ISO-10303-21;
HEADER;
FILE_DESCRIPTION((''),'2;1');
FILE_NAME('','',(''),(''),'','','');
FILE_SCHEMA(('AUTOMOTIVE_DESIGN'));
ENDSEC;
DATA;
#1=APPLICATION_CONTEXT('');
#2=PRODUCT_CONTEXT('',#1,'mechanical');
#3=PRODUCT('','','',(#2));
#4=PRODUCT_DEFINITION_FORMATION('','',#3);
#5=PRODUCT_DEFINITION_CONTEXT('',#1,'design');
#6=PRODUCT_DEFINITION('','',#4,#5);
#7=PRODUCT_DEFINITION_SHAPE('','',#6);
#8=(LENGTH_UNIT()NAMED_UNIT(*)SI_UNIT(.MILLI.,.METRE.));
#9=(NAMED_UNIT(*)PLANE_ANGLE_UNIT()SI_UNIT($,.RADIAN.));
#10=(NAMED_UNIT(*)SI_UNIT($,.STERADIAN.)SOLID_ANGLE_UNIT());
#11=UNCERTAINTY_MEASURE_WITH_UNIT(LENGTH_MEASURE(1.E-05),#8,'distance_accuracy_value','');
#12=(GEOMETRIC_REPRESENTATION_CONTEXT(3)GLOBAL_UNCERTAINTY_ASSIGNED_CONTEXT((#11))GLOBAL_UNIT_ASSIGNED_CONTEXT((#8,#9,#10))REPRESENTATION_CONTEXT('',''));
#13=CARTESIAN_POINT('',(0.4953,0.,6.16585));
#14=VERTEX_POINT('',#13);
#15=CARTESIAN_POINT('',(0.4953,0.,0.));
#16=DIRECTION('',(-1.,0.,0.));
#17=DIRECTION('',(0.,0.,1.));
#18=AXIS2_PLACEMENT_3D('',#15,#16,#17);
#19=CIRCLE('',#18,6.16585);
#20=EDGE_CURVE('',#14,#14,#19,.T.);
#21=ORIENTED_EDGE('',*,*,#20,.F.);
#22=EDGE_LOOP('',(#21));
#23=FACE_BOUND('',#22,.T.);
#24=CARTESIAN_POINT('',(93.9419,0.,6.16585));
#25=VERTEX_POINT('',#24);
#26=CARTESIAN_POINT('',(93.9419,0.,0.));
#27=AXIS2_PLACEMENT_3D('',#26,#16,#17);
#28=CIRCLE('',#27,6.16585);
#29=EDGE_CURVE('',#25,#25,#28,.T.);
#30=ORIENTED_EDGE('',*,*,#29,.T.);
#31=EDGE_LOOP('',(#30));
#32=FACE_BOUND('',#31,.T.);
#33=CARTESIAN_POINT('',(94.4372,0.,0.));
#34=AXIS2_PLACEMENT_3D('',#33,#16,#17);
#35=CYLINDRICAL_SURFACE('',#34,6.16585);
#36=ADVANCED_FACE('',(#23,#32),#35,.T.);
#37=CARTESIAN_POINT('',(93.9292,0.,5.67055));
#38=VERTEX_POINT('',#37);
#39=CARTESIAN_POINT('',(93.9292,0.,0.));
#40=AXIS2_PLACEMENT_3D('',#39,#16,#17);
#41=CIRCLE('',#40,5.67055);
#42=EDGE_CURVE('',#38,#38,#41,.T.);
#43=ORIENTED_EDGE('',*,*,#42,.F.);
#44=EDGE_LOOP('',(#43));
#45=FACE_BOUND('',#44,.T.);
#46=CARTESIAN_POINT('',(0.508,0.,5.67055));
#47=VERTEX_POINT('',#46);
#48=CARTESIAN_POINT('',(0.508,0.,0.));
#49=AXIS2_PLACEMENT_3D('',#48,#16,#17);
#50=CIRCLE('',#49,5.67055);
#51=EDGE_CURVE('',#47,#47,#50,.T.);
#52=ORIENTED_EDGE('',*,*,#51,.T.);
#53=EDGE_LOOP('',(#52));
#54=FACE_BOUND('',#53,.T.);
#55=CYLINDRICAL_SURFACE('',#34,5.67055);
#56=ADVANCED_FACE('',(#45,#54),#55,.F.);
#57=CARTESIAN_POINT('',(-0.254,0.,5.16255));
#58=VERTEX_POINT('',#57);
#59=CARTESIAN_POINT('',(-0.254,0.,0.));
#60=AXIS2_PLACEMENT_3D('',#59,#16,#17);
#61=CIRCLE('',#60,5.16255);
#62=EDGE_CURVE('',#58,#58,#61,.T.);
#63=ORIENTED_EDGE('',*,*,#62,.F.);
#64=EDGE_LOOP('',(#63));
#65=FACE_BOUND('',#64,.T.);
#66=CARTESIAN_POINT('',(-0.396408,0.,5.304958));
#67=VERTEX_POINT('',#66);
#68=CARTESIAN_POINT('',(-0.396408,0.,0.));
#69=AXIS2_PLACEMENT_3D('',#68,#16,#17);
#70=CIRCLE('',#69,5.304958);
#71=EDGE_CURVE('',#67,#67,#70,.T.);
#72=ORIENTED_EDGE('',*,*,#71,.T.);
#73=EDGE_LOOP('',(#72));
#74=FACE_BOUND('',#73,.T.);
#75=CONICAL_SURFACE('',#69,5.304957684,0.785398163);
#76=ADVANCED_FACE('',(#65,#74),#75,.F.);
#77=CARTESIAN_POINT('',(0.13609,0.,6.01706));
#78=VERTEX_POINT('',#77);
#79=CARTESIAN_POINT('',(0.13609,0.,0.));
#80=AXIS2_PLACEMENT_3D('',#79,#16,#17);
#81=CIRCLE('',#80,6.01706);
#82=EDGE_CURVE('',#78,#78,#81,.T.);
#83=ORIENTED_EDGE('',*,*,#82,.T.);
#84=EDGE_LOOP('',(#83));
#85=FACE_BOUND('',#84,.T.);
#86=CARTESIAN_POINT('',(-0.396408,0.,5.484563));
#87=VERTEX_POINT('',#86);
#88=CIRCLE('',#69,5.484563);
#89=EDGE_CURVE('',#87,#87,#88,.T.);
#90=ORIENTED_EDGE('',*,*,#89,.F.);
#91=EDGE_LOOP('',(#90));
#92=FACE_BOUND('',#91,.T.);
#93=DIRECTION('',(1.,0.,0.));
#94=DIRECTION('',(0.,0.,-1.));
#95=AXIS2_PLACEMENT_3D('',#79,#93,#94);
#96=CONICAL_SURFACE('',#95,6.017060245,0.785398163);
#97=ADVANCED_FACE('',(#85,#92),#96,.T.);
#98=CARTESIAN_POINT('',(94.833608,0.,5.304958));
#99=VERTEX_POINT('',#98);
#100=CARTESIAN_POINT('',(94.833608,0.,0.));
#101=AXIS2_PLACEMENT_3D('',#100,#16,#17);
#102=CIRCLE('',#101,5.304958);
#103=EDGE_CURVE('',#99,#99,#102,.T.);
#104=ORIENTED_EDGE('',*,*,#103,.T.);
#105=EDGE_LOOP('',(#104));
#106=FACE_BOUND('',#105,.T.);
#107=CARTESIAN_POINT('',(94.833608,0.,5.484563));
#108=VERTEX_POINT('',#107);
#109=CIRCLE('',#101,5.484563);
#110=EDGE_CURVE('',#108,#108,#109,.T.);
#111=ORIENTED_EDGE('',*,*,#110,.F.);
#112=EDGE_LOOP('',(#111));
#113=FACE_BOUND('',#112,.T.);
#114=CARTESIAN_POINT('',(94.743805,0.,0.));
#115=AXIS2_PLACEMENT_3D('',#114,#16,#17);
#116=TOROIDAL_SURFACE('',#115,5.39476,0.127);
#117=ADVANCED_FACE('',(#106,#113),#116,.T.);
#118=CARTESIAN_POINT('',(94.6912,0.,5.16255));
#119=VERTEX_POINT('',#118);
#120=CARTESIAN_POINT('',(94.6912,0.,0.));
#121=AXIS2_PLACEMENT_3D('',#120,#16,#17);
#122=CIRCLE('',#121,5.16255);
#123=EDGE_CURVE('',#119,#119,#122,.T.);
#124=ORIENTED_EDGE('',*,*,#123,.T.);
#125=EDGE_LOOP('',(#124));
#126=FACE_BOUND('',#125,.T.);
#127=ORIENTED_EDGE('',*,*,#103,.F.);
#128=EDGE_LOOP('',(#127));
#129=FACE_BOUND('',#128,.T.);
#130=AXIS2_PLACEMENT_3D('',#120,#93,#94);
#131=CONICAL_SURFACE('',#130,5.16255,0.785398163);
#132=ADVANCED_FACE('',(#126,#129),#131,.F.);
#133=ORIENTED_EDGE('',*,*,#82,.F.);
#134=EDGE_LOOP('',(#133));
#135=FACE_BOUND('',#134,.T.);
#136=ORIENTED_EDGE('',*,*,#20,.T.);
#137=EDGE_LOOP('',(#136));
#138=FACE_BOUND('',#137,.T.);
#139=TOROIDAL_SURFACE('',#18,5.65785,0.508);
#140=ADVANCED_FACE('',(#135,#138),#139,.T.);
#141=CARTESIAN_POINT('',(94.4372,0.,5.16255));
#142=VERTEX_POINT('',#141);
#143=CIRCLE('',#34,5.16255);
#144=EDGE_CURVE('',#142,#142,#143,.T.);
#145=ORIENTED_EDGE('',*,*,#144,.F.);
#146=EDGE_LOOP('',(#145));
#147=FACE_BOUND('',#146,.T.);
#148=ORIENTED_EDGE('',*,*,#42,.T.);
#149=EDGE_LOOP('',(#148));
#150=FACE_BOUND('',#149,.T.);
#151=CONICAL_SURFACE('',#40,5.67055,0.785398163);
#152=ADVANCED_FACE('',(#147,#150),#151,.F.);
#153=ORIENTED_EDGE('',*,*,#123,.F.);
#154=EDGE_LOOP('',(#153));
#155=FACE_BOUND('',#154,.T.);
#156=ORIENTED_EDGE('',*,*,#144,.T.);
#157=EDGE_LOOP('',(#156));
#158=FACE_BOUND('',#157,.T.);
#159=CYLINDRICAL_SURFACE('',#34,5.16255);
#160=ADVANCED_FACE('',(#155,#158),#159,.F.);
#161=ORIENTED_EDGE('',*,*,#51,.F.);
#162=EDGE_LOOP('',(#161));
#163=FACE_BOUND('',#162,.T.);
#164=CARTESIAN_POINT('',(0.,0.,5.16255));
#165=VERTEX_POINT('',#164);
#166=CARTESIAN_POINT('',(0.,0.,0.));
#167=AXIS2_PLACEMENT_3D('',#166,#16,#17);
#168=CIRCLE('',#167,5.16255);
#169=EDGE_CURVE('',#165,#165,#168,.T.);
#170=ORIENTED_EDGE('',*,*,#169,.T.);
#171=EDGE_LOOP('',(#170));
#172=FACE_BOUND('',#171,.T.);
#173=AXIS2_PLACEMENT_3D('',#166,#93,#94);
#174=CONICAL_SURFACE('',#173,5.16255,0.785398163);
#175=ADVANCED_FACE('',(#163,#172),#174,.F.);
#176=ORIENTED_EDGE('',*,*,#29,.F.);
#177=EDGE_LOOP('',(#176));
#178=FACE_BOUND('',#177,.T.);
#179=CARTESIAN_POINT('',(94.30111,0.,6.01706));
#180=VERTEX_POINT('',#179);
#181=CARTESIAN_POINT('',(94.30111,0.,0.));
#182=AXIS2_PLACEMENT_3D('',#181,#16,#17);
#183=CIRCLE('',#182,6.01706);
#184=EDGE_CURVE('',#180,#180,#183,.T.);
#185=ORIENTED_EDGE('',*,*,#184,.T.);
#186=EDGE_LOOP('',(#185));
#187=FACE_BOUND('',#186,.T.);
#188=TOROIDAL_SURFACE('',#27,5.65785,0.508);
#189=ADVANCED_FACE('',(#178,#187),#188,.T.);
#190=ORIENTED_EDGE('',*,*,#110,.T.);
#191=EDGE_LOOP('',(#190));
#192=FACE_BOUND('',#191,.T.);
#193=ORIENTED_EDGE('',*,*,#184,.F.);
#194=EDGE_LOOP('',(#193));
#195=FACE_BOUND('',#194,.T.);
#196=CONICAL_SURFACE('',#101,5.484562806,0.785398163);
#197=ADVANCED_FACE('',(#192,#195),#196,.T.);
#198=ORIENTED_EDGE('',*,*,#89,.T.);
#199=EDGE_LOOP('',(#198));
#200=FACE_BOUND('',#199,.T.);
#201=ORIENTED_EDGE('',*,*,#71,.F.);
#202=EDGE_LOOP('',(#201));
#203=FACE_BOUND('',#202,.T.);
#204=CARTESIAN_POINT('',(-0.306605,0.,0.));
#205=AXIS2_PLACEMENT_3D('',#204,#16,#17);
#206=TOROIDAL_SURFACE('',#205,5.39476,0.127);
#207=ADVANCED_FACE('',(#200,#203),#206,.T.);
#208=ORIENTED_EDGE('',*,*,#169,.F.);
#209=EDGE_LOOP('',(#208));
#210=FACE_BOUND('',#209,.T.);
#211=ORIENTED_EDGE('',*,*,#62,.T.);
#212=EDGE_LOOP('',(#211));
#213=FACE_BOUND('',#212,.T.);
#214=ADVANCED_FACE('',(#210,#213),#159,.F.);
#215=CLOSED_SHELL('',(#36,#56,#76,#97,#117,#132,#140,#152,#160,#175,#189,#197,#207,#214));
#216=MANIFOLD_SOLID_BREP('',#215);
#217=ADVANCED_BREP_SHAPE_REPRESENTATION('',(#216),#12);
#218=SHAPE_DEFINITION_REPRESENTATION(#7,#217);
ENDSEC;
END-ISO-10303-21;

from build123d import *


with BuildPart() as part:
    # Sketch1 → Revolve1 (revolve)
    with BuildSketch(Plane.XY):
        with BuildLine():
            Line((-0.396407684, 5.304957684), (-0.254, 5.16255))
            Line((-0.254, 5.16255), (0, 5.16255))
            Line((0, 5.16255), (0.508, 5.67055))
            Line((0.508, 5.67055), (93.9292, 5.67055))
            Line((93.9292, 5.67055), (94.4372, 5.16255))
            Line((94.4372, 5.16255), (94.6912, 5.16255))
            Line((94.6912, 5.16255), (94.833607684, 5.304957684))
            ThreePointArc((94.833607684, 5.304957684), (94.870805122, 5.394760245), (94.833607684, 5.484562806))
            Line((94.833607684, 5.484562806), (94.301110245, 6.017060245))
            ThreePointArc((94.301110245, 6.017060245), (94.136303184, 6.127180803), (93.9419, 6.16585))
            Line((93.9419, 6.16585), (0.4953, 6.16585))
            ThreePointArc((0.4953, 6.16585), (0.300896816, 6.127180803), (0.136089755, 6.017060245))
            Line((0.136089755, 6.017060245), (-0.396407684, 5.484562806))
            ThreePointArc((-0.396407684, 5.484562806), (-0.433605122, 5.394760245), (-0.396407684, 5.304957684))
        make_face()
    revolve(axis=Axis((94.4372, 0, 0), (-1, 0, 0)))


solid = part.part
